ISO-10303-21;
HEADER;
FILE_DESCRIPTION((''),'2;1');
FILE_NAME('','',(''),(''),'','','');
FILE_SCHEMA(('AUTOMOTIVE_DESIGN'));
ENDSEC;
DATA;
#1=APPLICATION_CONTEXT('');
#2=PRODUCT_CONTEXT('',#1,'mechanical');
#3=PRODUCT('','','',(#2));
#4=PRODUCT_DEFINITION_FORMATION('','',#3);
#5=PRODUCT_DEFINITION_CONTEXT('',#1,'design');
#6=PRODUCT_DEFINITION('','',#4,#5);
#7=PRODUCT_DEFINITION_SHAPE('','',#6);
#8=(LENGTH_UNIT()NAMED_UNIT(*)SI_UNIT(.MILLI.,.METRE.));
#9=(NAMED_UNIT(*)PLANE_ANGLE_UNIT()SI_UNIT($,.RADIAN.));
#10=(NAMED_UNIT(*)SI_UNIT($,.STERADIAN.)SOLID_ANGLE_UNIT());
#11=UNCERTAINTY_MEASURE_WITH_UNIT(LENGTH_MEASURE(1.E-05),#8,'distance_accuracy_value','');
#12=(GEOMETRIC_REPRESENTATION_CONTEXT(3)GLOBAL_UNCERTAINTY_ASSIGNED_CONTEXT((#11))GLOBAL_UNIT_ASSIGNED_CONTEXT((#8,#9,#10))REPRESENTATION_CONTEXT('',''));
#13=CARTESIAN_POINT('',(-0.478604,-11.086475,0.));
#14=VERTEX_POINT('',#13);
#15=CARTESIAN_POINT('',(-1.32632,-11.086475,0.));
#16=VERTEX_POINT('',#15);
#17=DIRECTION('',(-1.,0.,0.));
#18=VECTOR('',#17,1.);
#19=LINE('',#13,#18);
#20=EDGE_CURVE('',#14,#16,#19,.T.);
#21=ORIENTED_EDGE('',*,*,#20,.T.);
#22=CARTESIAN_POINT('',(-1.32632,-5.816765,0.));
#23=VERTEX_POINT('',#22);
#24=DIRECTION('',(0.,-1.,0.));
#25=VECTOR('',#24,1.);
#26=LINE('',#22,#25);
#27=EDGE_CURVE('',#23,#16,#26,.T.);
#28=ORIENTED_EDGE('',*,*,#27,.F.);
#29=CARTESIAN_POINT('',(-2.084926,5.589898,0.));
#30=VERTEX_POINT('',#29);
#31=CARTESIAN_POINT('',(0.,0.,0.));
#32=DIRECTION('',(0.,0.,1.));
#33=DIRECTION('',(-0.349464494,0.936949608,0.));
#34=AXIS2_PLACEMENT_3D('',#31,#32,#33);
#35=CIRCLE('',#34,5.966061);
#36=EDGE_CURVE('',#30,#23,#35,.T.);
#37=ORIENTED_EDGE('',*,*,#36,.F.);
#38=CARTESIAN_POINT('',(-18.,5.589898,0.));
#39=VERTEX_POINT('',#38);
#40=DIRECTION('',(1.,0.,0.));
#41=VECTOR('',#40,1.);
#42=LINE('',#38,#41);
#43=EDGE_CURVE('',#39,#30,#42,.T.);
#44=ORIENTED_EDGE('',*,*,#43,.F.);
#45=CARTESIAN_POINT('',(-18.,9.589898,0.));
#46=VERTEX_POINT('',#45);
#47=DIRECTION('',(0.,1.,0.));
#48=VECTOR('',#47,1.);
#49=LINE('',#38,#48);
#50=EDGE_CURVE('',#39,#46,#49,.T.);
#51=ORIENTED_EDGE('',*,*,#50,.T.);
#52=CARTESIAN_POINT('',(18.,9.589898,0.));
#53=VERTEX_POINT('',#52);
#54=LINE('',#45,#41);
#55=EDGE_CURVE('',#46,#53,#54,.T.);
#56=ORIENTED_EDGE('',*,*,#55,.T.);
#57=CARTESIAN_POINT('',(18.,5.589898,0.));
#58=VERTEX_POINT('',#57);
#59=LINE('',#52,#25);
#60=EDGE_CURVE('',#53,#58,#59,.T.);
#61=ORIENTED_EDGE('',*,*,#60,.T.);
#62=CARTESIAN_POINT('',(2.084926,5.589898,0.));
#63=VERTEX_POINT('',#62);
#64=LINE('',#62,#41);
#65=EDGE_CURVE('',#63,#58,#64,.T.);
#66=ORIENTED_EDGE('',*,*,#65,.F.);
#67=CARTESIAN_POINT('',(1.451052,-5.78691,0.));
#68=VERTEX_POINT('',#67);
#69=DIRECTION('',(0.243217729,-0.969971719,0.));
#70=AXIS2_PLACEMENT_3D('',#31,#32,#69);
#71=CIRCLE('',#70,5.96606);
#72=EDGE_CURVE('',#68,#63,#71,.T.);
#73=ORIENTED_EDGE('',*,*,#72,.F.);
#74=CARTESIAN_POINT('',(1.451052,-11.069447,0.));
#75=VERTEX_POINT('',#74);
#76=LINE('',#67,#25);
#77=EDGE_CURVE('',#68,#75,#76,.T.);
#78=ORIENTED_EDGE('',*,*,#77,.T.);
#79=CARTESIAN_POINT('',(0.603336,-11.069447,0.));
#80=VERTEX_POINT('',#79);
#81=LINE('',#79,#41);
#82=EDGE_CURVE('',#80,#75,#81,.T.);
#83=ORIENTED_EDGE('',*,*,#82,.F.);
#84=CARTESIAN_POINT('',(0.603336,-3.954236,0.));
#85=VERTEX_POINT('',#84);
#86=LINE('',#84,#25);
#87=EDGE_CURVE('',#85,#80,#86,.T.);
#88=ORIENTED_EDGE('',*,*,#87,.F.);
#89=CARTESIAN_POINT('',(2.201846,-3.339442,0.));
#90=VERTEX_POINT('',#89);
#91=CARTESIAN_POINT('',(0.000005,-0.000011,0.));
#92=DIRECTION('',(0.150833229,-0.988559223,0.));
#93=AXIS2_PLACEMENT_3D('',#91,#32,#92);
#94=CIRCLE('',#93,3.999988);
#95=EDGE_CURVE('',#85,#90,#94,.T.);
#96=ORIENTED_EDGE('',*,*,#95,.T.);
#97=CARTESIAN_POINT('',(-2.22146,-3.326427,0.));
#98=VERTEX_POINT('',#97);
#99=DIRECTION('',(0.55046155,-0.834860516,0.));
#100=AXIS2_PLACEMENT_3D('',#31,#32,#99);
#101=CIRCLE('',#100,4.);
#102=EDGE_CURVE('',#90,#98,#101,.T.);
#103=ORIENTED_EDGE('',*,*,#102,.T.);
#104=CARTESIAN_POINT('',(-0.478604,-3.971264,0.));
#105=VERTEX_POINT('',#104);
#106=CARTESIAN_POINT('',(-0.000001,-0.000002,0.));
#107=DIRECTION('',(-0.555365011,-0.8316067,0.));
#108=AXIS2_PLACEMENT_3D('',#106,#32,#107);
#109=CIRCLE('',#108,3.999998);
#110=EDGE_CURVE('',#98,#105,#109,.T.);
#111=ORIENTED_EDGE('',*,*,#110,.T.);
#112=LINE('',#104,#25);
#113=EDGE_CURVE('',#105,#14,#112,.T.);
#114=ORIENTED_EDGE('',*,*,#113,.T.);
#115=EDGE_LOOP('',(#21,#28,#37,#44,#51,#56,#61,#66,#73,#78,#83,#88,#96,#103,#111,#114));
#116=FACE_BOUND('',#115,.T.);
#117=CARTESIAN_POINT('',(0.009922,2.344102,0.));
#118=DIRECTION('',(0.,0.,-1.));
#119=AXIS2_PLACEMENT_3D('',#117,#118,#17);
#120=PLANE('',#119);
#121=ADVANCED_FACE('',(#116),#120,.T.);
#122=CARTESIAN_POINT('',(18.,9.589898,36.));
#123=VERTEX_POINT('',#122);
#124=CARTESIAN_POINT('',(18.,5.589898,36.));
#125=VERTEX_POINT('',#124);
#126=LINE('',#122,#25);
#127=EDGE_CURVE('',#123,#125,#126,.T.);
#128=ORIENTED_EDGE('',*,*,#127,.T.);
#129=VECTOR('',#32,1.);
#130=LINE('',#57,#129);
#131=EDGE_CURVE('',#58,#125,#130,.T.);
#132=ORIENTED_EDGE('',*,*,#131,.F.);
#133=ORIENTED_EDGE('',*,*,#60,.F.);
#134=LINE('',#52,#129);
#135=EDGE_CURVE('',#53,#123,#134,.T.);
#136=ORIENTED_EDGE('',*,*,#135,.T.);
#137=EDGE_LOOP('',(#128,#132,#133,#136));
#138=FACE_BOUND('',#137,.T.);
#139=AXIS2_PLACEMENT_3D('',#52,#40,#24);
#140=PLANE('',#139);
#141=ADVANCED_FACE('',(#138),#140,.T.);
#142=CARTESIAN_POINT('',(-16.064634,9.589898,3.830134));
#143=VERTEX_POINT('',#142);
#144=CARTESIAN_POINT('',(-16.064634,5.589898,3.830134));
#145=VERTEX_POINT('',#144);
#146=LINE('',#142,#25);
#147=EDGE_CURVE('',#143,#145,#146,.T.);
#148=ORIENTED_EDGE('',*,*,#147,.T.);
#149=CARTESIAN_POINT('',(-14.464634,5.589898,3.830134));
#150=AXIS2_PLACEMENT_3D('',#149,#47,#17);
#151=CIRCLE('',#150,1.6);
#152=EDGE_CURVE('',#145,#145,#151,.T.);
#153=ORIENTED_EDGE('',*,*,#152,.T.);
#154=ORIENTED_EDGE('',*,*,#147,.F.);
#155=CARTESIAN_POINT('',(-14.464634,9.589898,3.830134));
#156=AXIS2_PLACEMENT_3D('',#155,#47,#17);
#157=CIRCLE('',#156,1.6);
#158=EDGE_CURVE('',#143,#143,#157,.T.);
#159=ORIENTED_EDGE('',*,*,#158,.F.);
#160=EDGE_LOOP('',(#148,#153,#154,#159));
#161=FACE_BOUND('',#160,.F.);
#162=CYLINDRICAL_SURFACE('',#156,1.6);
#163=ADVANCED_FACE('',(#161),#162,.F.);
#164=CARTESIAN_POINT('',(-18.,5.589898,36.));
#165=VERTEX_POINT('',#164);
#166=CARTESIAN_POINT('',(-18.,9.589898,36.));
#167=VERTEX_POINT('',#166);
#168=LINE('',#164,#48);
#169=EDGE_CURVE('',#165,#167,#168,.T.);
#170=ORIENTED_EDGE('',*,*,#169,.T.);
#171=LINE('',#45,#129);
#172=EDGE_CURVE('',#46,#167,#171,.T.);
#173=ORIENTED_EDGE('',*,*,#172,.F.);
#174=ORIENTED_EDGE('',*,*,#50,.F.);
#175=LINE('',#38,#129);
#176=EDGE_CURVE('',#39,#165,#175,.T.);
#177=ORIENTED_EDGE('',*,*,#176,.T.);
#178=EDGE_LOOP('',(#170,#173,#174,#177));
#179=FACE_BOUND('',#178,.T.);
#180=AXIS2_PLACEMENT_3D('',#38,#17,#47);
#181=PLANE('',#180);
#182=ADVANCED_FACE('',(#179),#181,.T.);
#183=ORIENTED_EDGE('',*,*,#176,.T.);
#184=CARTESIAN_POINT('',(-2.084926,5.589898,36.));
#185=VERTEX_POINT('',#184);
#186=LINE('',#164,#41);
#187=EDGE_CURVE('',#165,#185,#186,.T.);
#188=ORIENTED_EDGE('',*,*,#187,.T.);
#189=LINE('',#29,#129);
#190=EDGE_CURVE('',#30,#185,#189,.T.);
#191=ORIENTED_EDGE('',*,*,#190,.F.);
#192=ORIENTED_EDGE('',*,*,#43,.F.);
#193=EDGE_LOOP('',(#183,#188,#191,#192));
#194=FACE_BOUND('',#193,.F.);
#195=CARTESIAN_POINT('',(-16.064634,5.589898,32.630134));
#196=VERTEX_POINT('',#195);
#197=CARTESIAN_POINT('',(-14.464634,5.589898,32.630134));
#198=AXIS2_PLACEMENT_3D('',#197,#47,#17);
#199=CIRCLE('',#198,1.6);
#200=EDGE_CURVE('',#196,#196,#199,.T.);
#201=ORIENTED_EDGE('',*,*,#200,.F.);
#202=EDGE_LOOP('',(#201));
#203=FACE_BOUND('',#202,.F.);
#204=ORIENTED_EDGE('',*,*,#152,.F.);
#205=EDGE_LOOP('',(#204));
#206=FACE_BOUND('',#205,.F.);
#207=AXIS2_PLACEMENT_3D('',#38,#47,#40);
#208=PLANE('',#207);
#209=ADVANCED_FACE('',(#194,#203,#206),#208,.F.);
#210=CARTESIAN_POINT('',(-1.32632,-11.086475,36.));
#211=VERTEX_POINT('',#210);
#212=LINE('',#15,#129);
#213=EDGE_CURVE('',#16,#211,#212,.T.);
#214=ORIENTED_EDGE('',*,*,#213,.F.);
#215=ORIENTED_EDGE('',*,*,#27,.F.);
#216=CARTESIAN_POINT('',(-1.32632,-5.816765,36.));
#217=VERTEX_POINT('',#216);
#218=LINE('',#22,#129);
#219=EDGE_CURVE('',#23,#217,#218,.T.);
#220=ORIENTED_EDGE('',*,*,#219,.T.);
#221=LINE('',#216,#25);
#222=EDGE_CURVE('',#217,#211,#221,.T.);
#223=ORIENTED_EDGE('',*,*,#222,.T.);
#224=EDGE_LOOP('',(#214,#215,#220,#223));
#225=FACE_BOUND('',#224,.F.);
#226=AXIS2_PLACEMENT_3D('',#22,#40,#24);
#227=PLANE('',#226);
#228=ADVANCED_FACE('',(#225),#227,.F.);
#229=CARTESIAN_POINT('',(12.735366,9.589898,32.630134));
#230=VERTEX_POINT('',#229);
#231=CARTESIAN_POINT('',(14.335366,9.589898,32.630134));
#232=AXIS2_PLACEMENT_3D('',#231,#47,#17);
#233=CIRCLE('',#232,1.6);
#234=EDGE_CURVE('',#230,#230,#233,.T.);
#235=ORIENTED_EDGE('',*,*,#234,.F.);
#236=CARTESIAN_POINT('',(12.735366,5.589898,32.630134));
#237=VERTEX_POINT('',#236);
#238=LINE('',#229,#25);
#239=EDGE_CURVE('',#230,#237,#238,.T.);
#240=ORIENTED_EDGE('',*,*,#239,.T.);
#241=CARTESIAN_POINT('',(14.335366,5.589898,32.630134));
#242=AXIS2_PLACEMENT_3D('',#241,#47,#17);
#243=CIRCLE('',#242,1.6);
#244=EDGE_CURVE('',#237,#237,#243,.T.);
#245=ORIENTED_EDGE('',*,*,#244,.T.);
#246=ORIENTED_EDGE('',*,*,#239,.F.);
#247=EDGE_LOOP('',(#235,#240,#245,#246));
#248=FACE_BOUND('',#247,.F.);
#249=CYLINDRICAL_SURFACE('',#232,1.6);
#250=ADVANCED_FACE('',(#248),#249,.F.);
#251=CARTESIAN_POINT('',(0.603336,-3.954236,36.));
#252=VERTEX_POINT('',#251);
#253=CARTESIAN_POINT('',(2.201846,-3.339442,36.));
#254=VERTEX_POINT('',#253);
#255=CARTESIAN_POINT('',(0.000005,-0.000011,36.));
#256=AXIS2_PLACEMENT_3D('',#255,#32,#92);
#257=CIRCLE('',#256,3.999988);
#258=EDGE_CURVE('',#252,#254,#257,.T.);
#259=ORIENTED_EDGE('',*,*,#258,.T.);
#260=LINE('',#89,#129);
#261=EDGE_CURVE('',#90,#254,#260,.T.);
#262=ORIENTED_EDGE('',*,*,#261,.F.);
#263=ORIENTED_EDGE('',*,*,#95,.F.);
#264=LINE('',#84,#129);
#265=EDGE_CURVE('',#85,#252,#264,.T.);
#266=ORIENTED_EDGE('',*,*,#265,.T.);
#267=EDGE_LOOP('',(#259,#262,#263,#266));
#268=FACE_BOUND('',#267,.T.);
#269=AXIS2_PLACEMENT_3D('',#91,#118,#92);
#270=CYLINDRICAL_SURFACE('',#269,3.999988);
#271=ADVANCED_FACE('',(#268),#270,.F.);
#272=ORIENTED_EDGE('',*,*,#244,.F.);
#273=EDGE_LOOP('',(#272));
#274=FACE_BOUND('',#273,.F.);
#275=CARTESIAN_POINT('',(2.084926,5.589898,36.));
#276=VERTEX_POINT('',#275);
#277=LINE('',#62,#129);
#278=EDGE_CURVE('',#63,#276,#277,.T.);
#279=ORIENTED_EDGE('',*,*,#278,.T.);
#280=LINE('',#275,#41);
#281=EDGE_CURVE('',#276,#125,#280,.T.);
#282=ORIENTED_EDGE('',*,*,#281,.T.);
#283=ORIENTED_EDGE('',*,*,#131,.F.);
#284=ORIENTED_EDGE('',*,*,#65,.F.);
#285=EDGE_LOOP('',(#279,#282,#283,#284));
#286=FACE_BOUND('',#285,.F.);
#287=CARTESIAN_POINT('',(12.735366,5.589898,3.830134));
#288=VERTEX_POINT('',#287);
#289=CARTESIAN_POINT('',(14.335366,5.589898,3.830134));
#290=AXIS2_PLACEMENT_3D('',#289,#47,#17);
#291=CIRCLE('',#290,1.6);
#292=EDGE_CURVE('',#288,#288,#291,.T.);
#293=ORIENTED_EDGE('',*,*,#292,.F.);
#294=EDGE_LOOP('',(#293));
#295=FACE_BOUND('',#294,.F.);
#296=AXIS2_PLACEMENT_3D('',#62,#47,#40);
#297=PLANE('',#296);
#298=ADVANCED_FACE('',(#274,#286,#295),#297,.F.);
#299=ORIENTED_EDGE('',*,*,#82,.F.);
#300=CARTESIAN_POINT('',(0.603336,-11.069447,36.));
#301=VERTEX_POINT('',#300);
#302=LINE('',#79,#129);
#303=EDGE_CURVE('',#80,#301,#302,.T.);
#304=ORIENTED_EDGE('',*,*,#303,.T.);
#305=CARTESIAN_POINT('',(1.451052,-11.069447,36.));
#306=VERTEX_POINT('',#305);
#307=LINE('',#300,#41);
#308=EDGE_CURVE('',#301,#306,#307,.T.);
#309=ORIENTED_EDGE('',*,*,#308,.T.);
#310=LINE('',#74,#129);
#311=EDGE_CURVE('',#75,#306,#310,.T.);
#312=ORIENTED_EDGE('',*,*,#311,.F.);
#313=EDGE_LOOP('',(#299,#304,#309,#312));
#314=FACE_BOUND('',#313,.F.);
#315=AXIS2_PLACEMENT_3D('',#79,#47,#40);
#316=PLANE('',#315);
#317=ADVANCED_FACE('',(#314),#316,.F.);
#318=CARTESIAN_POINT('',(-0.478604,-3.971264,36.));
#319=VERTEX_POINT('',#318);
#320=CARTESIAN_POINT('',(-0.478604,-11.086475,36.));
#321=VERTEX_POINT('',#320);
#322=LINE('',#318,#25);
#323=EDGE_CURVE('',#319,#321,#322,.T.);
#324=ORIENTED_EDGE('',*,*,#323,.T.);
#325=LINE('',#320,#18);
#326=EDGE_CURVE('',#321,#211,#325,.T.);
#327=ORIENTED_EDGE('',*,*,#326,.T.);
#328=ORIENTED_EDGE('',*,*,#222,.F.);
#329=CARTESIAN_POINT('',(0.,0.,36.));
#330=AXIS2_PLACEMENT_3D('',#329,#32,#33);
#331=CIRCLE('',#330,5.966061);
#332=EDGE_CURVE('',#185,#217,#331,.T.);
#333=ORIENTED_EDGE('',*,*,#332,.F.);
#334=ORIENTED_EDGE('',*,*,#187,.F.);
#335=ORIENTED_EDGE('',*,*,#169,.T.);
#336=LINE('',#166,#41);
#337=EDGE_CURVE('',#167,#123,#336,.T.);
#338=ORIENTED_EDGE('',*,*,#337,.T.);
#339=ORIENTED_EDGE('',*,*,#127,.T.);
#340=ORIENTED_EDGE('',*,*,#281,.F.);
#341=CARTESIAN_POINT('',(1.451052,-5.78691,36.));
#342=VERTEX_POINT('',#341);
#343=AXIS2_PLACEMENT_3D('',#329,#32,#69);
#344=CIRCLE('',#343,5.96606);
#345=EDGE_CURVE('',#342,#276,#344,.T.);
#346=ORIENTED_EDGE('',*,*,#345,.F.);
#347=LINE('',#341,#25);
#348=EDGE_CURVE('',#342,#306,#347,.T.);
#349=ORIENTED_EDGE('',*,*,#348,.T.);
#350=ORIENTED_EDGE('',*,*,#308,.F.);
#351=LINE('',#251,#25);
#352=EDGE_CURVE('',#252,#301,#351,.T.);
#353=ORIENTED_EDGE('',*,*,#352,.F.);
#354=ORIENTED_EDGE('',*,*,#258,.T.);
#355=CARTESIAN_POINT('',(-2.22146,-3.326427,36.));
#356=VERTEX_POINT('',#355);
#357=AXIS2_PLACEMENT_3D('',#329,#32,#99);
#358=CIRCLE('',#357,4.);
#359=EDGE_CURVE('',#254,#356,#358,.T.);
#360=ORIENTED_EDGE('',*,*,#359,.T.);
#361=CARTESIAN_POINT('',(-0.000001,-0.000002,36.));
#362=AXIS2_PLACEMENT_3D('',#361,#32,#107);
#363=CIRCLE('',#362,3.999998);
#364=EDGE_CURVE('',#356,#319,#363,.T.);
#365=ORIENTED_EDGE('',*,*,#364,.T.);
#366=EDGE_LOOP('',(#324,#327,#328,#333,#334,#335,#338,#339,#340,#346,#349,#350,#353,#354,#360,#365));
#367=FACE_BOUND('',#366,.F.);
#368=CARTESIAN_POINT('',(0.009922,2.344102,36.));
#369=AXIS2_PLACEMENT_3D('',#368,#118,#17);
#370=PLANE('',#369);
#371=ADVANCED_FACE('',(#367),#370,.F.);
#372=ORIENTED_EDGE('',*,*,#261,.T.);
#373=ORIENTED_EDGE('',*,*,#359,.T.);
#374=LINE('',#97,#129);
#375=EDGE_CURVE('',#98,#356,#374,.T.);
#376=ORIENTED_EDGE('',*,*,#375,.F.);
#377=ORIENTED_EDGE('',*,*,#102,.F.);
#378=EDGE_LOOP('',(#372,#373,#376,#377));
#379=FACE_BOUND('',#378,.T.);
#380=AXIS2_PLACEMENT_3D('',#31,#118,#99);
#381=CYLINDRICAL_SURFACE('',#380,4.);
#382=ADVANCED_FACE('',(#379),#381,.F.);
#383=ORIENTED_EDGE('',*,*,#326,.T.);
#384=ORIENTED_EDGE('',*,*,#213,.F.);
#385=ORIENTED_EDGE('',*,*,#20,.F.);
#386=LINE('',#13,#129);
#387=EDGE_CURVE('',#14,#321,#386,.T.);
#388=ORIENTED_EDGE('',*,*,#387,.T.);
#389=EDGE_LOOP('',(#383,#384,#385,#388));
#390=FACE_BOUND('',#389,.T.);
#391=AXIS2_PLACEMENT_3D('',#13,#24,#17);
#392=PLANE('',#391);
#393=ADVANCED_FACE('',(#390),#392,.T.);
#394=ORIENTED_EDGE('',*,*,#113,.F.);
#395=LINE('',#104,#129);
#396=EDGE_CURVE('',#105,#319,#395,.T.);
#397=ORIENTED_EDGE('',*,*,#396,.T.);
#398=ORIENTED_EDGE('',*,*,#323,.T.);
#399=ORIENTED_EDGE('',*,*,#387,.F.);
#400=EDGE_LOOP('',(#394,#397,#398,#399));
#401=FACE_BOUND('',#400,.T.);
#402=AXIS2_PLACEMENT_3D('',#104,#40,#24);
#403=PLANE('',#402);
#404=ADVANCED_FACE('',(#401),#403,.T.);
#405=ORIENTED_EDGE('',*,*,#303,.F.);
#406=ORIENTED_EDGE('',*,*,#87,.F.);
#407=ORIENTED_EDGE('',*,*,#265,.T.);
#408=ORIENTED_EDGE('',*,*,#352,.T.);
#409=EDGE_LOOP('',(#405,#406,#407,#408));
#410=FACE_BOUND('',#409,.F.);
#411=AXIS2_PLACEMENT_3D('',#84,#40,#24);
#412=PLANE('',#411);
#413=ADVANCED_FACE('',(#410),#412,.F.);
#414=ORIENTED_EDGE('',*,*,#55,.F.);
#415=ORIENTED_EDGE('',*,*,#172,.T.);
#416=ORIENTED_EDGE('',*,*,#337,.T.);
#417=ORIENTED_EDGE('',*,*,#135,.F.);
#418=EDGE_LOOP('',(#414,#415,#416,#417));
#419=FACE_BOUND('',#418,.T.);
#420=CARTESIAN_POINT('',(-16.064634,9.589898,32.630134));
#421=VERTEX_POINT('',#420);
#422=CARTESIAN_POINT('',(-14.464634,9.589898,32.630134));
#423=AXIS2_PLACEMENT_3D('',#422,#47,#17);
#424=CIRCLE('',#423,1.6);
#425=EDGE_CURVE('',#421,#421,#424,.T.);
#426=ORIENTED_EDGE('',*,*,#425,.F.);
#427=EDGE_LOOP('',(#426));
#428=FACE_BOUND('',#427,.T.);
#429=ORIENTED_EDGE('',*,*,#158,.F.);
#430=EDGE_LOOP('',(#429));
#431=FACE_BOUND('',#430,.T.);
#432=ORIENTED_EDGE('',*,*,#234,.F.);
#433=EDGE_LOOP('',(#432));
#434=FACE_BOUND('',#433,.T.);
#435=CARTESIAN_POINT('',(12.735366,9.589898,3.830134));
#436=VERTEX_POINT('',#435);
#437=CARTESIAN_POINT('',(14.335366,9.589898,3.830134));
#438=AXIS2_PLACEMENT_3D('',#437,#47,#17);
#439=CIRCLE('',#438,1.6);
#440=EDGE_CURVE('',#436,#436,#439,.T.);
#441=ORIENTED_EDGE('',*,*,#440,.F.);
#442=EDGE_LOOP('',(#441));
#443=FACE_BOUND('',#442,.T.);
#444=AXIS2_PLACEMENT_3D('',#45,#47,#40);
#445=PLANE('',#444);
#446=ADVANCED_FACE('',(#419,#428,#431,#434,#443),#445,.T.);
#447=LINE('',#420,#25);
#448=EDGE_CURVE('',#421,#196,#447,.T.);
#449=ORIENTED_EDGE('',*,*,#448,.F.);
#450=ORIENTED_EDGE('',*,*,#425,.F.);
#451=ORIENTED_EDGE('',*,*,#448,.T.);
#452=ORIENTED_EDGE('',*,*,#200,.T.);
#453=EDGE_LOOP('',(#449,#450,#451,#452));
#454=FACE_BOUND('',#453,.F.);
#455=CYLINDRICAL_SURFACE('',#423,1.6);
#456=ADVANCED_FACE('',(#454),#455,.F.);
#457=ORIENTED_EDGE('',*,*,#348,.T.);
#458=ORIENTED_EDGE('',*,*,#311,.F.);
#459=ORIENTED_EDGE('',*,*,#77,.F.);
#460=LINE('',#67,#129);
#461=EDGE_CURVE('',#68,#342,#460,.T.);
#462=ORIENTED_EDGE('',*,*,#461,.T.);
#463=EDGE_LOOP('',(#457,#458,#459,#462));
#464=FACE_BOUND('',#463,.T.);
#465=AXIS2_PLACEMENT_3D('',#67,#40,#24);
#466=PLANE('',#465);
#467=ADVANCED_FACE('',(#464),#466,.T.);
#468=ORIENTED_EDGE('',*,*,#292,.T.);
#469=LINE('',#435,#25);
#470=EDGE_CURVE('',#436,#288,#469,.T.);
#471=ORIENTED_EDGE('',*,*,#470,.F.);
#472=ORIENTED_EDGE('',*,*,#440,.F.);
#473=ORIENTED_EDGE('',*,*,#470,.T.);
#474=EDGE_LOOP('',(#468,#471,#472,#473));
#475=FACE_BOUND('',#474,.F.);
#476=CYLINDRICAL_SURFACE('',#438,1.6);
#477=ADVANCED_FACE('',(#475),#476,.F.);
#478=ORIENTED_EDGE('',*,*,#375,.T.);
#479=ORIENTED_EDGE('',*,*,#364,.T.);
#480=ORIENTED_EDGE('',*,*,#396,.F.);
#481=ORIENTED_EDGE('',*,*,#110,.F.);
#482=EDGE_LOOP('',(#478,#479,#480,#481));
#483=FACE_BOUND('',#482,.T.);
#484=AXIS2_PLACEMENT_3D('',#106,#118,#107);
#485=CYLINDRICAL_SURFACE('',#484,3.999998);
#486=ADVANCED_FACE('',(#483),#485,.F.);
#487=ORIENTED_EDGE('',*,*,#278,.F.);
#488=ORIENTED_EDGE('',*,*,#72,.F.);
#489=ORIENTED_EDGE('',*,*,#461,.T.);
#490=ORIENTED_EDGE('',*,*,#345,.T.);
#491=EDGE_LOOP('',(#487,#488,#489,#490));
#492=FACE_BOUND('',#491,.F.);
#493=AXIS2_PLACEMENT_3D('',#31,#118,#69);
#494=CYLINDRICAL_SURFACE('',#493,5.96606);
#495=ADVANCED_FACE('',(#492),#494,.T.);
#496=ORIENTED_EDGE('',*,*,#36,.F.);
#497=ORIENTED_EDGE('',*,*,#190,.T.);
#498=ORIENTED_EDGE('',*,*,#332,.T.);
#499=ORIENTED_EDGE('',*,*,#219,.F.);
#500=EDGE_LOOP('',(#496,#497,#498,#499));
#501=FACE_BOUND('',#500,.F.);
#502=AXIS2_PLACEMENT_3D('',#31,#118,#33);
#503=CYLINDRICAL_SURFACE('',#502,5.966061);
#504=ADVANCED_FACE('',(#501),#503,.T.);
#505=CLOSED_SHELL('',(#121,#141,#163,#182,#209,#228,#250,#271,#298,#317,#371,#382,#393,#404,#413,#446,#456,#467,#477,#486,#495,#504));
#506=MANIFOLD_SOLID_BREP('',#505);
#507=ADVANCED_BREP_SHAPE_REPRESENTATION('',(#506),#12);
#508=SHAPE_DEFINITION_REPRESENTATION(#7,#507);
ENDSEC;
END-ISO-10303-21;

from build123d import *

# Parameters (mm, degrees)
PAD_DEPTH    = 36
SKETCH001_R  = 1.6
POCKET_DEPTH = 10


with BuildPart() as part:
    # Sketch → Pad (new body)
    with BuildSketch(Plane.XY):
        with BuildLine():
            ThreePointArc((2.201846, -3.339442), (0.011769, 3.999983), (-2.22146, -3.326427))
            ThreePointArc((-2.22146, -3.326427), (-1.387999, -3.751461), (-0.478604, -3.971264))
            Line((-0.478604, -3.971264), (-0.478604, -11.086475))
            Line((-0.478604, -11.086475), (-1.32632, -11.086475))
            Line((-1.32632, -5.816765), (-1.32632, -11.086475))
            ThreePointArc((-2.084926, 5.589898), (-5.95291, -0.395901), (-1.32632, -5.816765))
            Line((-18, 5.589898), (-2.084926, 5.589898))
            Line((-18, 5.589898), (-18, 9.589898))
            Line((-18, 9.589898), (18, 9.589898))
            Line((18, 9.589898), (18, 5.589898))
            Line((2.084926, 5.589898), (18, 5.589898))
            ThreePointArc((1.451052, -5.78691), (5.956822, -0.331892), (2.084926, 5.589898))
            Line((1.451052, -5.78691), (1.451052, -11.069447))
            Line((0.603336, -11.069447), (1.451052, -11.069447))
            Line((0.603336, -3.954236), (0.603336, -11.069447))
            ThreePointArc((0.603336, -3.954236), (1.435881, -3.733396), (2.201846, -3.339442))
        make_face()
    extrude(amount=PAD_DEPTH)

    # Sketch001 → Pocket (cut)
    with BuildSketch(Plane(origin=(0, 9.589898, 0), x_dir=(-1, 0, 0), z_dir=(0, 1, 0))):
        with Locations((-14.335366, 32.630134)):
            Circle(SKETCH001_R)
        with Locations((14.464634, 32.630134)):
            Circle(SKETCH001_R)
        with Locations((14.464634, 3.830134)):
            Circle(SKETCH001_R)
        with Locations((-14.335366, 3.830134)):
            Circle(SKETCH001_R)
    extrude(amount=-POCKET_DEPTH, mode=Mode.SUBTRACT)


solid = part.part
